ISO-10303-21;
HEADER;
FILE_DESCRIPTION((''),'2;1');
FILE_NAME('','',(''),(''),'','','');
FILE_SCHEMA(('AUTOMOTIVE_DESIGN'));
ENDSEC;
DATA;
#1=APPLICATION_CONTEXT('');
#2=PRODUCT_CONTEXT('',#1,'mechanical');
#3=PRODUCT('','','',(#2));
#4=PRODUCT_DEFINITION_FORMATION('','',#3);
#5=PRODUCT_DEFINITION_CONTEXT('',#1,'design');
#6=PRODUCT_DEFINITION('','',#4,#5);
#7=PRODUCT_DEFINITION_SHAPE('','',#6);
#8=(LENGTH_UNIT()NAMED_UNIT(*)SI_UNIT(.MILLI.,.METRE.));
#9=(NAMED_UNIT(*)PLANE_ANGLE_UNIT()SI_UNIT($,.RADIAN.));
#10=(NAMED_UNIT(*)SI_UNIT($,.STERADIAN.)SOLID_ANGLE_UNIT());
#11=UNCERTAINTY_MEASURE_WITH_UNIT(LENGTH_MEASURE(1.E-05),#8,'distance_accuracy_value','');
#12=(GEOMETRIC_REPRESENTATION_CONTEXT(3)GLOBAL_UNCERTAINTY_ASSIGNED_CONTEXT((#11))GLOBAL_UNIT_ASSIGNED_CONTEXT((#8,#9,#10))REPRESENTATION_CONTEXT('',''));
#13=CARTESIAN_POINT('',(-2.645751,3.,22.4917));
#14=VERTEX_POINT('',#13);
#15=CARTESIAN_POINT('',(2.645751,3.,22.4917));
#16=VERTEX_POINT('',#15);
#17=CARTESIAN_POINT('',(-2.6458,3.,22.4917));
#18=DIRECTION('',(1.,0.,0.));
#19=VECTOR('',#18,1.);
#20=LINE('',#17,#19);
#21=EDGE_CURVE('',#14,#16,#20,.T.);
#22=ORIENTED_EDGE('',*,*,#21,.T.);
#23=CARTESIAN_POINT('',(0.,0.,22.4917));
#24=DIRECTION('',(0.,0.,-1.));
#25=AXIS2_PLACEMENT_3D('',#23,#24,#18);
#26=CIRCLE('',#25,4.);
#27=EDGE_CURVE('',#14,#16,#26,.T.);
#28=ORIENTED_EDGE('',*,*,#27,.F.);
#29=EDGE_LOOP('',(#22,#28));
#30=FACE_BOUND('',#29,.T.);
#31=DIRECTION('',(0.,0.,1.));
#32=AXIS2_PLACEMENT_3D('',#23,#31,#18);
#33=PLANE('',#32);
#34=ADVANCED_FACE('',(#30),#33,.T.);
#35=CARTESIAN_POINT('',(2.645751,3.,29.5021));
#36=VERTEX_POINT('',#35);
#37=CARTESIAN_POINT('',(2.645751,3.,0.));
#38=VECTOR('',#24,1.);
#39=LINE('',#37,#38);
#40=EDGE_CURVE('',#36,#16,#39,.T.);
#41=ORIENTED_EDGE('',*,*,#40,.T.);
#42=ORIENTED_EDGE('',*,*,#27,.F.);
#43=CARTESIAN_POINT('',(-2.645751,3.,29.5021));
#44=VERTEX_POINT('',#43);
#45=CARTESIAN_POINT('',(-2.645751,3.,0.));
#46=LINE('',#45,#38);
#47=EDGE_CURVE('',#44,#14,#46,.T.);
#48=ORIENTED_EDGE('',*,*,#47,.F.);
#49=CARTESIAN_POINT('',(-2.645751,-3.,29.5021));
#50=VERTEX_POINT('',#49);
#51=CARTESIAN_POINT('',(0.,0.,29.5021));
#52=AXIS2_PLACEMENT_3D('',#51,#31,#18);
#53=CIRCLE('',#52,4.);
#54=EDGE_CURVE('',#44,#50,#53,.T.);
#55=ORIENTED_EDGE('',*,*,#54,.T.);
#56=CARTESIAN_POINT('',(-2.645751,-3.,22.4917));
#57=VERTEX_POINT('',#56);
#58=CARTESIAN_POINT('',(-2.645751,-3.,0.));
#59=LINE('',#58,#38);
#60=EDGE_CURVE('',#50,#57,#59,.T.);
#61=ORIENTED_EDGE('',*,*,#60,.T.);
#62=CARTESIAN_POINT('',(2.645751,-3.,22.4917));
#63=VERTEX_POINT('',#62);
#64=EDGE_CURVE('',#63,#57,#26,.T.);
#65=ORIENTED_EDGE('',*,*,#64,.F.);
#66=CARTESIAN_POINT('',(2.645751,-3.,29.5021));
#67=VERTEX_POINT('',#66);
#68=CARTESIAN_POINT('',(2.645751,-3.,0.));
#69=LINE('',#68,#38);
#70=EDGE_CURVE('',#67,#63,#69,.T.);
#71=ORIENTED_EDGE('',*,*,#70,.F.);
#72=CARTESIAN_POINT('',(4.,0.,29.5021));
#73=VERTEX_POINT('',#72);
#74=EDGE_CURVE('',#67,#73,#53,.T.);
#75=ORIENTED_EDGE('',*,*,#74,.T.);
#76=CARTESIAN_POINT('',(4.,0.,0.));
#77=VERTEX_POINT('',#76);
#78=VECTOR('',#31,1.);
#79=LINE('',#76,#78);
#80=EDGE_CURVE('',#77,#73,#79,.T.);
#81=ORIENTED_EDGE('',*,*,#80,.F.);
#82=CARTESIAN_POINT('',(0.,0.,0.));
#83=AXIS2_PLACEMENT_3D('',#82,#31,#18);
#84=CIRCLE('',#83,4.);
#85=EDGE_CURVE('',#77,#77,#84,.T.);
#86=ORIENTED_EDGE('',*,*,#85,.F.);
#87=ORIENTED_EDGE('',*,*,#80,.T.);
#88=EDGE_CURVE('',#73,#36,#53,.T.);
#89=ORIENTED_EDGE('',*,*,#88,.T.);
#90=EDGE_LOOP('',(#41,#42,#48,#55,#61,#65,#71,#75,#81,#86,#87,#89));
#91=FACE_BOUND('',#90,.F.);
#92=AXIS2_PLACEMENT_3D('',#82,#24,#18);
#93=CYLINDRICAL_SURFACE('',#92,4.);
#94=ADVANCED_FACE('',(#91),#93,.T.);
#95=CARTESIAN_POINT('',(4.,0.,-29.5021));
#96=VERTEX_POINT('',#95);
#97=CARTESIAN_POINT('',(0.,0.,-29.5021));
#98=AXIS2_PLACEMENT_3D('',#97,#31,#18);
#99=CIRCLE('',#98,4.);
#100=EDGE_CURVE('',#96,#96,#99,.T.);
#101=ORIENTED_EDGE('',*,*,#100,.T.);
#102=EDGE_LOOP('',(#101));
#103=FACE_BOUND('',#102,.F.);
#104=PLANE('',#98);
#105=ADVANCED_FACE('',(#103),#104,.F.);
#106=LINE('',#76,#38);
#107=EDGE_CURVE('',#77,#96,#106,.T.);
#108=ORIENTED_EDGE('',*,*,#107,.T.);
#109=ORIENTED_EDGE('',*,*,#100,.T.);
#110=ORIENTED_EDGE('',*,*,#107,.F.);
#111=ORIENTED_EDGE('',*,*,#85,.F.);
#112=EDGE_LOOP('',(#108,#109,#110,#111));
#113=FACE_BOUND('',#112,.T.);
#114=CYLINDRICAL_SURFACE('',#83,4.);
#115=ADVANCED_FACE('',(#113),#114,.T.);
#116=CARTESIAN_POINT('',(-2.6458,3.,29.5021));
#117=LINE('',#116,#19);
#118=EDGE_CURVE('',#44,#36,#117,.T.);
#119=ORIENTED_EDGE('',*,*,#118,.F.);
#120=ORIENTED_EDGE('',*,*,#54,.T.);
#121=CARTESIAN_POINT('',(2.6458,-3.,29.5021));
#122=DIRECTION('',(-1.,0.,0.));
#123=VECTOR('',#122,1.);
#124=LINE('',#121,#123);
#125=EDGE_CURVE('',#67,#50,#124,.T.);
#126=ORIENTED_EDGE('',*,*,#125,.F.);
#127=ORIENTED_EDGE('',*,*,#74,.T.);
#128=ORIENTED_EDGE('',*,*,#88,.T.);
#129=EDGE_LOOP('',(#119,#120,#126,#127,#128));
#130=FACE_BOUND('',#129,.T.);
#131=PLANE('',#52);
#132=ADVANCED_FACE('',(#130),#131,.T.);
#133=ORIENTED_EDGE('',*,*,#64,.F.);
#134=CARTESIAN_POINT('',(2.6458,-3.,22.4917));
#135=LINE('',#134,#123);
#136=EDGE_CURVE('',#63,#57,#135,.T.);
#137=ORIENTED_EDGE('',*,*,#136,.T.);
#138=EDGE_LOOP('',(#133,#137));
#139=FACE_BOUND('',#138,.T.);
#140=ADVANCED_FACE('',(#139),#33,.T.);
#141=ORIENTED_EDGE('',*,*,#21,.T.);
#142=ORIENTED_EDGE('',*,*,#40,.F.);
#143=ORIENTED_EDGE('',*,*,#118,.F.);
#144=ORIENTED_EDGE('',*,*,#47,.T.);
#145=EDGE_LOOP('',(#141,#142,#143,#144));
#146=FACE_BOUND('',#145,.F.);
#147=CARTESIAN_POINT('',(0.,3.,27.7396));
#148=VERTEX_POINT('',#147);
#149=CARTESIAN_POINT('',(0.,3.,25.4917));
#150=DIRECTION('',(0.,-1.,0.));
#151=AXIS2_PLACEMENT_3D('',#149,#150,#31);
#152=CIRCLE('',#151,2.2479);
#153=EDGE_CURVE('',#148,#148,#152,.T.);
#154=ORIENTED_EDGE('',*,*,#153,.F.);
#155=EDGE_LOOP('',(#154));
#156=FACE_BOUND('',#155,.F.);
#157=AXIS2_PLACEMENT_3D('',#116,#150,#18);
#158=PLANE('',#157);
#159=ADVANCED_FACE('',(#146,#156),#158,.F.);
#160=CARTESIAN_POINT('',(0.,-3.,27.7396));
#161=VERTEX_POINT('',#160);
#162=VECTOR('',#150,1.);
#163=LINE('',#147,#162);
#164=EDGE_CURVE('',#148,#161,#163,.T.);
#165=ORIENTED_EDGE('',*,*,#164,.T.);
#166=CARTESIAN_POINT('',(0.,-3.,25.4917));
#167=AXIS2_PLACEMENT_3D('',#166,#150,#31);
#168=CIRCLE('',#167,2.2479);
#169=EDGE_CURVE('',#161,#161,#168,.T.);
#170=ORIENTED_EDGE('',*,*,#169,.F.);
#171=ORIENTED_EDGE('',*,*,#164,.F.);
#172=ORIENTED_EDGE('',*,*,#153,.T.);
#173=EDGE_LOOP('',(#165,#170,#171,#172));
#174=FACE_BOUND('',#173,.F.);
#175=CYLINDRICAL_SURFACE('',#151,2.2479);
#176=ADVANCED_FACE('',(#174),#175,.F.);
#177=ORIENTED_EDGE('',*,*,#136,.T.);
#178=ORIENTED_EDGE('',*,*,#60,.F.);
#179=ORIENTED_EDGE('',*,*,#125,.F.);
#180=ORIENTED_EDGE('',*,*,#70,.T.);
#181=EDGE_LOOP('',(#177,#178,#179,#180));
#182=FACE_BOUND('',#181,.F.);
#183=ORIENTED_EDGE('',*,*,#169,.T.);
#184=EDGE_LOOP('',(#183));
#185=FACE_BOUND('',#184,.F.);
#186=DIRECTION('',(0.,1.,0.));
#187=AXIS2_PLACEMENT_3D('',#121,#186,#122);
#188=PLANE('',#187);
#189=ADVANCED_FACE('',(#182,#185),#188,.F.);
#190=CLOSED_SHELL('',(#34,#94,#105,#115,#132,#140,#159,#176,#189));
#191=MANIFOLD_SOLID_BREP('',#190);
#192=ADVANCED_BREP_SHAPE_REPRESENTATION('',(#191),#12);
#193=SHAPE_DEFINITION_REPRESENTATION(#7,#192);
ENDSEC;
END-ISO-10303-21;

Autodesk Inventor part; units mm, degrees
ref_plane "YZ Plane" through (0, 0, 0) normal (1, 0, 0) x (0, 1, 0)
ref_plane "XZ Plane" through (0, 0, 0) normal (0, 1, 0) x (-1, 0, 0)
ref_plane "XY Plane" through (0, 0, 0) normal (0, 0, 1) x (1, 0, 0)
sketch "Sketch1" plane through (0, 0, 0) normal (0, 0, 1) x (1, 0, 0)
  circle A0 centre (0, 0) radius 4
  dimension "d0" = 8
extrude "Extrusion1" add sketch "Sketch1" along normal mid plane 59.0042
sketch "Sketch2" plane through (0, 0, 29.5021) normal (0, 0, 1) x (1, 0, 0)
  circle A0 centre (0, 0) radius 4 construction
  circle A1 centre (0, 0) radius 4 construction
  line L0 (-2.6458, 3) -> (2.6458, 3)
  line L1 (2.6458, -3) -> (-2.6458, -3)
  line L2 (0, 3) -> (0, -3) construction
  arc A2 (2.6458, 3) -> (-2.6458, 3) centre (0, 0) ccw
  arc A3 (-2.6458, -3) -> (2.6458, -3) centre (0, 0) ccw
  dimension "d3" = 6
extrude "Extrusion2" cut sketch "Sketch2" against normal blind 7.0104
sketch "Sketch3" plane through (-2.6458, 3, 29.5021) normal (0, 1, 0) x (1, 0, 0)
  line L0 (5.2915, 7.0104) -> (0, 7.0104) construction
  point P0 (2.6458, 29.5021)
  point P1 (2.6458, 4.0104)
  point P2 (2.6458, 7.0104)
  dimension "d6" = 3
hole "Hole1" at (0, 3, 25.4917) direction (0, -1, 0) diameter 4.4958 end through all clearance for "Flat Head Machine Screw (82)" size "#8" standard "Ansi Unified Screw Threads"
properties part number "rod" material "Aluminum 6061"
